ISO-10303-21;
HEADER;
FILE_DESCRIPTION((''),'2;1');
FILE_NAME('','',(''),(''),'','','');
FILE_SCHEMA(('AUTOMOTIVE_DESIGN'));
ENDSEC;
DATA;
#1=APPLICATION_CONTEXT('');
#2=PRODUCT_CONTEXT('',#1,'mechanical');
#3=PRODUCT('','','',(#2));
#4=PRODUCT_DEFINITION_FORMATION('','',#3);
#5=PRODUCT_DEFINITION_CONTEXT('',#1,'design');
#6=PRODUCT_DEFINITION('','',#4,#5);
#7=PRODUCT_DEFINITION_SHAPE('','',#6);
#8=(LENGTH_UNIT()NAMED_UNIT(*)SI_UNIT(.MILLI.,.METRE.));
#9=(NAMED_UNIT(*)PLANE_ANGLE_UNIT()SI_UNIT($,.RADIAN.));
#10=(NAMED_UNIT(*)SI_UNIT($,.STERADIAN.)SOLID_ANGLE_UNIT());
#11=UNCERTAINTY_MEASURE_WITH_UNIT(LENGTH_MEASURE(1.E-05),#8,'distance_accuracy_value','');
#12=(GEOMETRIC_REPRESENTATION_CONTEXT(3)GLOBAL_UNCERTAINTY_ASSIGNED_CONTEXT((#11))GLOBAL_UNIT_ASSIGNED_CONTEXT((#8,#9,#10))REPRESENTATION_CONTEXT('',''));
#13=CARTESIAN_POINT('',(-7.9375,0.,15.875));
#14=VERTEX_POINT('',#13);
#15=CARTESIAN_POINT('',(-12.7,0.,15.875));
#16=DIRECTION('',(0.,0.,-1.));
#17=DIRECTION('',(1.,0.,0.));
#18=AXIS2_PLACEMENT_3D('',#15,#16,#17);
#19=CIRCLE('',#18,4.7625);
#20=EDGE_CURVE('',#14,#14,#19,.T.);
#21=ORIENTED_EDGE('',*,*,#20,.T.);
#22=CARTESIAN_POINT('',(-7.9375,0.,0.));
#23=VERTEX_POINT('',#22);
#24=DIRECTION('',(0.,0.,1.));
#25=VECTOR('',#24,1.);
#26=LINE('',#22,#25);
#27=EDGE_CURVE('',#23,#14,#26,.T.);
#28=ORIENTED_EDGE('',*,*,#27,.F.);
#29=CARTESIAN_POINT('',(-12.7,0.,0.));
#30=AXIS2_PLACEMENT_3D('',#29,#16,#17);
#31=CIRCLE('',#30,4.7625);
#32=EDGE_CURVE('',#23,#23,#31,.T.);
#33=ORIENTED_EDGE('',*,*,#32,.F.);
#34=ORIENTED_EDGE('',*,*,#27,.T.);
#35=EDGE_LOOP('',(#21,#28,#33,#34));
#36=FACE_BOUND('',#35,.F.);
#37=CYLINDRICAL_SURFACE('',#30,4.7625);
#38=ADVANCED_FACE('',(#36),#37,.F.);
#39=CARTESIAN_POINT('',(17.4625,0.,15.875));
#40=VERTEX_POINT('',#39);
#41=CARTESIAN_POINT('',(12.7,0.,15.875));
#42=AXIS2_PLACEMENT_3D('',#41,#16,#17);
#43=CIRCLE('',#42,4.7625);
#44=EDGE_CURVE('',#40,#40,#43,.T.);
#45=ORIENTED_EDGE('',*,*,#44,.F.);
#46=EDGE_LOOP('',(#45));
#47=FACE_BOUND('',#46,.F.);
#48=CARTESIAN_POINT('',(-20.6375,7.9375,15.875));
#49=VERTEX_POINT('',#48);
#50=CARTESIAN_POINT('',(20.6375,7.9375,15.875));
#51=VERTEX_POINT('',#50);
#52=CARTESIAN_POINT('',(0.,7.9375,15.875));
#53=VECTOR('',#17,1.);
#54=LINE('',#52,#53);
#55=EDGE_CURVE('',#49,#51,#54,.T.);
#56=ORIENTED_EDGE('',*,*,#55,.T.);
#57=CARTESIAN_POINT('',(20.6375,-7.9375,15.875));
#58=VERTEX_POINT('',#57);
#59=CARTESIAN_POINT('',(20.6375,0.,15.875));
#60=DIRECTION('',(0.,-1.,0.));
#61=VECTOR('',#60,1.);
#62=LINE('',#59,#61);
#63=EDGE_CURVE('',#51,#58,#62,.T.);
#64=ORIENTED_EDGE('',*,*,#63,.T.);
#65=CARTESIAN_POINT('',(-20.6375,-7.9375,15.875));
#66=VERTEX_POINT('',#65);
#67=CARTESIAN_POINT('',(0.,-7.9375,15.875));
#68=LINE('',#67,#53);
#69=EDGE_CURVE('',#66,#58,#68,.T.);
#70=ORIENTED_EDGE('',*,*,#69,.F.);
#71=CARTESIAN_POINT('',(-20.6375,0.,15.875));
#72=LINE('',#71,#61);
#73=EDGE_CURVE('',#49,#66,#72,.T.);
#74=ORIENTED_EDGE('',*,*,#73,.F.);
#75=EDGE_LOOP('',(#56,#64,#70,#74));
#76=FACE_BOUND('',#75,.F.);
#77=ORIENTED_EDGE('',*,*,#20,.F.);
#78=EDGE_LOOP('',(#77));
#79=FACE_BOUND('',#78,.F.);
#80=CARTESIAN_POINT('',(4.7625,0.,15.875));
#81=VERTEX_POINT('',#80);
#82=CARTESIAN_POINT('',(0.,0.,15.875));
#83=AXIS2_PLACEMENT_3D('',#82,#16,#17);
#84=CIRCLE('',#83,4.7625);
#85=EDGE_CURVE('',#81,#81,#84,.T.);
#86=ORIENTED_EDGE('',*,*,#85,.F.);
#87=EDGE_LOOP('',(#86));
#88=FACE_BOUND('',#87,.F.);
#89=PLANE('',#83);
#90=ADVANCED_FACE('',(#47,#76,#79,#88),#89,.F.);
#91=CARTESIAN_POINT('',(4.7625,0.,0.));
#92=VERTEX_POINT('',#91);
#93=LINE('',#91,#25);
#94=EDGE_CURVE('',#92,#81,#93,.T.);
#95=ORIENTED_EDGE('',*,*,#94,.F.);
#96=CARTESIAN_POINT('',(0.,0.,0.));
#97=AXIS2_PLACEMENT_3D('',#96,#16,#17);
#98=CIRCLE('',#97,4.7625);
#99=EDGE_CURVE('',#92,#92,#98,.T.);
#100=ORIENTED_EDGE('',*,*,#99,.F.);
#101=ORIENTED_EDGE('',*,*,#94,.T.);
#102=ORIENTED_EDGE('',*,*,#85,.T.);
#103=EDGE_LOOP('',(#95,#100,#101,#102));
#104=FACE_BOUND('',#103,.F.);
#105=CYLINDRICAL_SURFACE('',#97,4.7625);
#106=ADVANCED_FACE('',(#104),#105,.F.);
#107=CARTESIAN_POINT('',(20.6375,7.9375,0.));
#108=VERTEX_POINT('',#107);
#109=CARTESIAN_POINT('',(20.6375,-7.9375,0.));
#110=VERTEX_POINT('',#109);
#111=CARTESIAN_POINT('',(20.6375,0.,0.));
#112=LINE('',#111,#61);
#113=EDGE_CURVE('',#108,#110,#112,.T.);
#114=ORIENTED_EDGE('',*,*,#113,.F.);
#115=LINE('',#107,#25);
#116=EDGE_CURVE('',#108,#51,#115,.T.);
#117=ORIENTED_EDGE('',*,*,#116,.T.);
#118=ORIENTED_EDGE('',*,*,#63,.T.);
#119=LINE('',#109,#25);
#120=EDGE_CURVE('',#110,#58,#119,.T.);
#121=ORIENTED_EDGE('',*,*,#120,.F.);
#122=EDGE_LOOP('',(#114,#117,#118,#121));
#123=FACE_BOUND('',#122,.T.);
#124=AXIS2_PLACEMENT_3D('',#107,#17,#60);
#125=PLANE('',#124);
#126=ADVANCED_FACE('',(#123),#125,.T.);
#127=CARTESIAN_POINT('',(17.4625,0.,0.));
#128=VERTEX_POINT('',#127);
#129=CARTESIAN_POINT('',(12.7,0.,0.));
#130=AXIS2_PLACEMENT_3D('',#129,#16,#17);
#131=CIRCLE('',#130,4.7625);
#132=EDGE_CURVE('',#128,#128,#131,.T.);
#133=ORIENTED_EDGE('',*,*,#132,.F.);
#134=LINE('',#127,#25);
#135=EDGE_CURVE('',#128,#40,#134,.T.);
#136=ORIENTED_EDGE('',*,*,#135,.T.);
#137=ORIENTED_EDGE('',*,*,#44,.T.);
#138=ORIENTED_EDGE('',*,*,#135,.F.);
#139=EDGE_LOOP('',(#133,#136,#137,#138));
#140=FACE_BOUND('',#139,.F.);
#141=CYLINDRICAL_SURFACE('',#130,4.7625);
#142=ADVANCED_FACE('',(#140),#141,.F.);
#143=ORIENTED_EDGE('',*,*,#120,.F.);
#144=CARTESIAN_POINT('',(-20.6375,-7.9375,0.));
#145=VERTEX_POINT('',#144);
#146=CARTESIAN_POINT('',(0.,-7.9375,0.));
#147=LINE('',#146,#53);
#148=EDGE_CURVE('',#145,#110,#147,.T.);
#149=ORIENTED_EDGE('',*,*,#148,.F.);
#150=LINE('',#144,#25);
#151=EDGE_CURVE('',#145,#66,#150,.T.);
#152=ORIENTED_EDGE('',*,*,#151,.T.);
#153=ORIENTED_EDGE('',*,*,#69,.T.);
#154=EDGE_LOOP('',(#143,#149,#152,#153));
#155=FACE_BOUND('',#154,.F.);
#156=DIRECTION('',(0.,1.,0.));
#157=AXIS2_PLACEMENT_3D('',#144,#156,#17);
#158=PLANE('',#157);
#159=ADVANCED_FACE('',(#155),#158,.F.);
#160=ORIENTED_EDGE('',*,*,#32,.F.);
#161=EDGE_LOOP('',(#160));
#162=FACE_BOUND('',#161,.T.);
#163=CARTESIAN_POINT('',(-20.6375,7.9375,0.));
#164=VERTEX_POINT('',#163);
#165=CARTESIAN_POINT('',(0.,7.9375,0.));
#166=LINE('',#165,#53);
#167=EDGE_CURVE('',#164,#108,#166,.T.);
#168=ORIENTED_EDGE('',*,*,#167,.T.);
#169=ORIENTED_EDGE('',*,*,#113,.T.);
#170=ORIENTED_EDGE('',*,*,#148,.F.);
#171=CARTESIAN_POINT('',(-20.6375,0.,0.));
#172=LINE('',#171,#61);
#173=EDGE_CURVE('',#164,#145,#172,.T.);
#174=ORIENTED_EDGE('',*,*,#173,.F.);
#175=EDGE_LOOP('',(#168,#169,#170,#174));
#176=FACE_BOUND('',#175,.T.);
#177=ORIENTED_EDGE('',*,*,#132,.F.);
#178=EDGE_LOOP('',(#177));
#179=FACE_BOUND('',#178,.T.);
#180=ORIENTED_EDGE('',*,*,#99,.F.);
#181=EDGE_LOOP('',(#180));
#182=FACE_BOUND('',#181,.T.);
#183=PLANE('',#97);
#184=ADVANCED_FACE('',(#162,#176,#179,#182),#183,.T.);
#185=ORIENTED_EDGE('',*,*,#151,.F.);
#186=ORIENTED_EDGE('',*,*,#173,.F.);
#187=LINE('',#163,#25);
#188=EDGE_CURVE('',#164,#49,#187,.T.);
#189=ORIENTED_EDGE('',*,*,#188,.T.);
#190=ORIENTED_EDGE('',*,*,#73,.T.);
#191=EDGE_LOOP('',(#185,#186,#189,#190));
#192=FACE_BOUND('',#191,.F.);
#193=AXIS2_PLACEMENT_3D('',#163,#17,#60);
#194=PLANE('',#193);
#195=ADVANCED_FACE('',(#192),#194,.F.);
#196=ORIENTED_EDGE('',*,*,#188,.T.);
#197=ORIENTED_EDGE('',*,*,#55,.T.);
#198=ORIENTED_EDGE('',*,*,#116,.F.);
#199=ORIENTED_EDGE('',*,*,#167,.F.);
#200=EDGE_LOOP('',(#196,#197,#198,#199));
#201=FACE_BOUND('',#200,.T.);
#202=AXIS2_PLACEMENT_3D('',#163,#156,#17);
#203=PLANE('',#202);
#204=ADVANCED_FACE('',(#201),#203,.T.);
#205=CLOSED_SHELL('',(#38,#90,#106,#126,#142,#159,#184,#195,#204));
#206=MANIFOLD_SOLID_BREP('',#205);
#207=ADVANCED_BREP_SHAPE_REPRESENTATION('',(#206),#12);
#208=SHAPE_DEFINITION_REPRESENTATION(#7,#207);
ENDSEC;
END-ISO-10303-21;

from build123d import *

# Parameters (mm, degrees)
F0_W     = 41.275
F0_H     = 15.875
F0_R     = 4.7625
F1_DEPTH = 15.875
F2_ANGLE = 90


with BuildPart() as f1:
    # F0 (on Front) → F1 (new body)
    with BuildSketch(Plane.XZ):
        Rectangle(F0_W, F0_H)
        with Locations((-12.7, 0)):
            Circle(F0_R, mode=Mode.SUBTRACT)
        Circle(F0_R, mode=Mode.SUBTRACT)
        with Locations((12.7, 0)):
            Circle(F0_R, mode=Mode.SUBTRACT)
    extrude(amount=-F1_DEPTH)


with BuildPart() as f1_1:
    # F2: moved
    add(f1.part.rotate(Axis((6.35, 0, 0), (1, 0, 0)), F2_ANGLE))


solid = f1_1.part
